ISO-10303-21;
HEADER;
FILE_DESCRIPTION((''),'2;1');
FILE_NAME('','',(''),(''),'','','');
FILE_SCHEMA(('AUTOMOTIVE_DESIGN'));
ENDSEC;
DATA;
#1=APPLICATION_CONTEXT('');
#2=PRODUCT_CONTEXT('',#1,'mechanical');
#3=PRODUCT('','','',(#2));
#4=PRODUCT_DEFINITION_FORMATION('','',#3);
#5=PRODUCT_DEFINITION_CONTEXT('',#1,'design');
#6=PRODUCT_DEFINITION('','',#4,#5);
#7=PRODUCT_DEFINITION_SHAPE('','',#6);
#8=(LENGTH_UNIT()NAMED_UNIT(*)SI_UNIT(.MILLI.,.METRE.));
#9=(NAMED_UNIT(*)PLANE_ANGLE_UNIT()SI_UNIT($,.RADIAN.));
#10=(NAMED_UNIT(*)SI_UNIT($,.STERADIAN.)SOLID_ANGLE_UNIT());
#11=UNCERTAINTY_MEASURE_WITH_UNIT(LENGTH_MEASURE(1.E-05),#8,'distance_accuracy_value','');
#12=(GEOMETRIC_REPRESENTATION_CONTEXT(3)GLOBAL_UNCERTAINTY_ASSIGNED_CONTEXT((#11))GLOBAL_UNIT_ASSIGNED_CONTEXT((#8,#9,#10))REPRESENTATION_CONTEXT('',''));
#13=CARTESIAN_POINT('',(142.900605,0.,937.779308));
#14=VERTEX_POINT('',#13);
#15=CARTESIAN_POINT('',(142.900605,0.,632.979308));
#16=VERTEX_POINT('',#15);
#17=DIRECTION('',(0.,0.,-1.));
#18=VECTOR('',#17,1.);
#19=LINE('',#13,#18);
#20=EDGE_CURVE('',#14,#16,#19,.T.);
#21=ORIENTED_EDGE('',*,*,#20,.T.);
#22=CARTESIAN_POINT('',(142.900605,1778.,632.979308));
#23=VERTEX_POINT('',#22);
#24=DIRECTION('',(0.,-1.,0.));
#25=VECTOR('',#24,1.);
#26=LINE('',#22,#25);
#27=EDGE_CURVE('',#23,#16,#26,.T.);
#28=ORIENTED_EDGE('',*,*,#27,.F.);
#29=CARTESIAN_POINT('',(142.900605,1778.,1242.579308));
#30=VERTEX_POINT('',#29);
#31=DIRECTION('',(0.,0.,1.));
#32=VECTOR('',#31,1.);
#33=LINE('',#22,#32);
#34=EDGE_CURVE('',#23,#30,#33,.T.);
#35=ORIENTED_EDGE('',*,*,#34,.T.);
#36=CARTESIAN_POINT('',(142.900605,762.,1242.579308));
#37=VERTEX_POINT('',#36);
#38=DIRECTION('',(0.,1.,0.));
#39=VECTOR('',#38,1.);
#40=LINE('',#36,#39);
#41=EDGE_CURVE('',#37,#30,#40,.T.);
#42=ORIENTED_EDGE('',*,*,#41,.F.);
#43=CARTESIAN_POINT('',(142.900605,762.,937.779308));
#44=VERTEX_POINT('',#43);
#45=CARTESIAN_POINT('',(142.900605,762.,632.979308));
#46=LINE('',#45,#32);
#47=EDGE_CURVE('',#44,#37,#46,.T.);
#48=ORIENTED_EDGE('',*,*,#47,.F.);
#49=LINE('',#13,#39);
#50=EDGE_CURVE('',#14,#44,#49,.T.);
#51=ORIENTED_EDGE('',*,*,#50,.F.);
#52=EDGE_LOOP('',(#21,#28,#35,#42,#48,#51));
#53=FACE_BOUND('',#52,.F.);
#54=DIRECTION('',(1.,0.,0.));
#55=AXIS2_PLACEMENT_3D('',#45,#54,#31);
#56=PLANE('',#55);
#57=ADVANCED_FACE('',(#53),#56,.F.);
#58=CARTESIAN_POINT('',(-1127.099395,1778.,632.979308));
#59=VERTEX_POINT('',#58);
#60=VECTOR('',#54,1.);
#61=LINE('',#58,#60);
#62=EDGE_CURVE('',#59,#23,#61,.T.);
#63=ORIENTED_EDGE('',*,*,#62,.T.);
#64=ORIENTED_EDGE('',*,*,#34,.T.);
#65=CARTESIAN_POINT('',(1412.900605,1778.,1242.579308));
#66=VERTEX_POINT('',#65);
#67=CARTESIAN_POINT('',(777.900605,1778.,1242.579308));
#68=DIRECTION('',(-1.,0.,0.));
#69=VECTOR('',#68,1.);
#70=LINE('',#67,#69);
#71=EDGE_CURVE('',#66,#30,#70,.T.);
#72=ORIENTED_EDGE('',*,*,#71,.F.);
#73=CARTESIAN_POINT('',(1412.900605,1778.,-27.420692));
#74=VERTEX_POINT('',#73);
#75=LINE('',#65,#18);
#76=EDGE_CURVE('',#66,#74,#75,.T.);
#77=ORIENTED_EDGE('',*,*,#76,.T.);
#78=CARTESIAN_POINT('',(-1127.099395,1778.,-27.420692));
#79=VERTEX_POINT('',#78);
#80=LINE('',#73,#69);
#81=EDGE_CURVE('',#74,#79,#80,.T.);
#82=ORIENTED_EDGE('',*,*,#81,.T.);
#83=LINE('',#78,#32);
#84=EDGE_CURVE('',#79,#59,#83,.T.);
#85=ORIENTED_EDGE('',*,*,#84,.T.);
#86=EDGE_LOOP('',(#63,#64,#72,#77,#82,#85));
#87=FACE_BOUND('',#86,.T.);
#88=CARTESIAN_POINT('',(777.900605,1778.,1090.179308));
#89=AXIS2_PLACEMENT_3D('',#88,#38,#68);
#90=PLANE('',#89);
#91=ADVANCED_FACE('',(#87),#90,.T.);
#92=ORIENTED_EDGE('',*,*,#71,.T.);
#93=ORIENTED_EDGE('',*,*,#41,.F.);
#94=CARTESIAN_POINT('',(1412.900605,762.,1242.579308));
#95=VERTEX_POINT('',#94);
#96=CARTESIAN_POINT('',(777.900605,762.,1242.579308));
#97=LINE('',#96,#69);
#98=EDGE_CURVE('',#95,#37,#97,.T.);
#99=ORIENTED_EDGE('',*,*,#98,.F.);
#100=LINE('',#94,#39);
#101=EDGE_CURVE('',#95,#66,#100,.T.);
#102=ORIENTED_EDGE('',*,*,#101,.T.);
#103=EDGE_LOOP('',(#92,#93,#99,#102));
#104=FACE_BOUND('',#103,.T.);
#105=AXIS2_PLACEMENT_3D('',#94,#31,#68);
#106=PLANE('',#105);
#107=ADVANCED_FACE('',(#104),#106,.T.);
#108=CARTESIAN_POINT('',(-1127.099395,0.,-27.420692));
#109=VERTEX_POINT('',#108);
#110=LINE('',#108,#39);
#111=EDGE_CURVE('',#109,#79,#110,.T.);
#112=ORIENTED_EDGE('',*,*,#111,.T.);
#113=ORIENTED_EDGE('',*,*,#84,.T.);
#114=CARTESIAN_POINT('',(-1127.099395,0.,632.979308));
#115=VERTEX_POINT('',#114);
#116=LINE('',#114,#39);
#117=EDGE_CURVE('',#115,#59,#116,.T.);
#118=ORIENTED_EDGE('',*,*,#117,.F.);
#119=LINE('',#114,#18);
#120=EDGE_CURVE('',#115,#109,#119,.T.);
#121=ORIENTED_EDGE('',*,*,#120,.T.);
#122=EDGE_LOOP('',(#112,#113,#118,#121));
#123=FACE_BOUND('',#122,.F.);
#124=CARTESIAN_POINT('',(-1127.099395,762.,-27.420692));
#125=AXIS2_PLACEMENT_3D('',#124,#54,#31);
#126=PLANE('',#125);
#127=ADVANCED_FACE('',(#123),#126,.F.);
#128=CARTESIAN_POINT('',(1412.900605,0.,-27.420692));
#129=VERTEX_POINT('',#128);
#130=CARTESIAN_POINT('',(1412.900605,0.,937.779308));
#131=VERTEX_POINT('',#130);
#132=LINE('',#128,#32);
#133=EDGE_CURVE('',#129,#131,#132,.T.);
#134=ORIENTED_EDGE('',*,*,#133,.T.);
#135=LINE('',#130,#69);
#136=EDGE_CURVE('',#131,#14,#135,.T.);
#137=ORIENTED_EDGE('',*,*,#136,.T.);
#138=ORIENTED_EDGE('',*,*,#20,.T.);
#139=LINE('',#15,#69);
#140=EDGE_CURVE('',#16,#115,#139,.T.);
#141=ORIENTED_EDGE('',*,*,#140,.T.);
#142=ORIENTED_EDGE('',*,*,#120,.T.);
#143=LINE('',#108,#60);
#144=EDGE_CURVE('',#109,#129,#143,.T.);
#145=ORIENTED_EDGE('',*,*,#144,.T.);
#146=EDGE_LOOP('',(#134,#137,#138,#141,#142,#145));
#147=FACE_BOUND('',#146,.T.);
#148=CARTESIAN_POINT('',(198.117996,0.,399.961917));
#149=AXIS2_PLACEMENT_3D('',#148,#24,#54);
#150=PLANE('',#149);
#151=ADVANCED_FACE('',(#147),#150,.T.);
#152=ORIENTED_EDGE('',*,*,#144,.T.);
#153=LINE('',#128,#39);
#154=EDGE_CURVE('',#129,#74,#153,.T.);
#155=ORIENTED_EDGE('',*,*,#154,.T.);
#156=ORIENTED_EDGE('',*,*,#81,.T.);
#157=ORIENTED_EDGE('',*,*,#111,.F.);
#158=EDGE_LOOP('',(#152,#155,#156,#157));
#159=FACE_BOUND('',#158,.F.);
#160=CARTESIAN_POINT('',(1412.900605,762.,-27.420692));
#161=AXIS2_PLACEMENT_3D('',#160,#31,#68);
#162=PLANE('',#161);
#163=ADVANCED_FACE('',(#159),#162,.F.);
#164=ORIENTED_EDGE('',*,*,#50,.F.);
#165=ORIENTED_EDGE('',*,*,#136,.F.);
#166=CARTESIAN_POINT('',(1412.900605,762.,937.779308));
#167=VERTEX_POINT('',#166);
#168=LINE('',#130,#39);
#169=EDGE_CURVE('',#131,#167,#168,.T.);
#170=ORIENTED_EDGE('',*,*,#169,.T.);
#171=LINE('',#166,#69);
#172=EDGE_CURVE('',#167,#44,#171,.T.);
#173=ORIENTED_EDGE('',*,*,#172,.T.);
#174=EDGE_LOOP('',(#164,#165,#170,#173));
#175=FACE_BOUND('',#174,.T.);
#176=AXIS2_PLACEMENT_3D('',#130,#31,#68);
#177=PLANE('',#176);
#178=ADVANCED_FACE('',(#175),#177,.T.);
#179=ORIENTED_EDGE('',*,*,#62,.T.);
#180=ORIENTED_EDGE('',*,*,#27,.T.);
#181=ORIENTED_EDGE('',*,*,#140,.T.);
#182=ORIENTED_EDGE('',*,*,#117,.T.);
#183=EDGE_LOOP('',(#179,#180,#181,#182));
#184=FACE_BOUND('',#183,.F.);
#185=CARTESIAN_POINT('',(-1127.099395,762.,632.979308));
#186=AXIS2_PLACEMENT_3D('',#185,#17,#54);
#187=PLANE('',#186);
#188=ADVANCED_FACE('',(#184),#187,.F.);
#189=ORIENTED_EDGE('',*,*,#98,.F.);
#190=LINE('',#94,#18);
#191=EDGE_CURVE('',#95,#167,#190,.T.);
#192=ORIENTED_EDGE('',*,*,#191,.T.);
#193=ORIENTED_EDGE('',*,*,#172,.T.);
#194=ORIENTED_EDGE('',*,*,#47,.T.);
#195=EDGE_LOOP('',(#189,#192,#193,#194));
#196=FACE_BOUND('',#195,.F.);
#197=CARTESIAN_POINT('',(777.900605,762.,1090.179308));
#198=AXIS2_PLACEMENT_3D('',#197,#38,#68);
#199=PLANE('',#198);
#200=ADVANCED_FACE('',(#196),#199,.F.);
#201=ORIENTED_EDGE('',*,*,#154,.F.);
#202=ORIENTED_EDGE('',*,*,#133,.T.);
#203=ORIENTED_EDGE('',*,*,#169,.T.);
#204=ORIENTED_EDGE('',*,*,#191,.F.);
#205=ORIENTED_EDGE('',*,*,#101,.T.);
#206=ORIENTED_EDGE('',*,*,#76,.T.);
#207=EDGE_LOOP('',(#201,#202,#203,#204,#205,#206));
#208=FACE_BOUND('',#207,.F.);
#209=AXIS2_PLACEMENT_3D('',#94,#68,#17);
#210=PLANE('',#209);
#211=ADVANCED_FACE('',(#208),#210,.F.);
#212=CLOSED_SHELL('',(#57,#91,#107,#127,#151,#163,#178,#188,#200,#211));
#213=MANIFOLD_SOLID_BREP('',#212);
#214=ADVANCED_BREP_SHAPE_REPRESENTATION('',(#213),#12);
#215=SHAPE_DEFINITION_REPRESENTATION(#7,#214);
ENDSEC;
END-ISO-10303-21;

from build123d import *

# Parameters (mm, degrees)
F1_DEPTH = 762
F2_W     = 1270
F2_H     = 304.8
F3_DEPTH = 1016


with BuildPart() as f1:
    # F0 (on Front) → F1 (new body)
    with BuildSketch(Plane.XZ):
        Polygon((-1127.099395, 632.979308), (-1127.099395, -27.420692), (1412.900605, -27.420692), (1412.900605, 937.779308), (142.900605, 937.779308), (142.900605, 632.979308), align=None)
    extrude(amount=-F1_DEPTH)

    # F2 (on face) → F3 (join)
    with BuildSketch(Plane(origin=(0, 762, 0), x_dir=(-1, 0, 0), z_dir=(0, 1, 0))):
        with Locations((-777.900605, 1090.179308)):
            Rectangle(F2_W, F2_H)
        Polygon((-142.900605, 632.979308), (-142.900605, 937.779308), (-1412.900605, 937.779308), (-1412.900605, -27.420692), (1127.099395, -27.420692), (1127.099395, 632.979308), align=None)
    extrude(amount=F3_DEPTH)


solid = f1.part
